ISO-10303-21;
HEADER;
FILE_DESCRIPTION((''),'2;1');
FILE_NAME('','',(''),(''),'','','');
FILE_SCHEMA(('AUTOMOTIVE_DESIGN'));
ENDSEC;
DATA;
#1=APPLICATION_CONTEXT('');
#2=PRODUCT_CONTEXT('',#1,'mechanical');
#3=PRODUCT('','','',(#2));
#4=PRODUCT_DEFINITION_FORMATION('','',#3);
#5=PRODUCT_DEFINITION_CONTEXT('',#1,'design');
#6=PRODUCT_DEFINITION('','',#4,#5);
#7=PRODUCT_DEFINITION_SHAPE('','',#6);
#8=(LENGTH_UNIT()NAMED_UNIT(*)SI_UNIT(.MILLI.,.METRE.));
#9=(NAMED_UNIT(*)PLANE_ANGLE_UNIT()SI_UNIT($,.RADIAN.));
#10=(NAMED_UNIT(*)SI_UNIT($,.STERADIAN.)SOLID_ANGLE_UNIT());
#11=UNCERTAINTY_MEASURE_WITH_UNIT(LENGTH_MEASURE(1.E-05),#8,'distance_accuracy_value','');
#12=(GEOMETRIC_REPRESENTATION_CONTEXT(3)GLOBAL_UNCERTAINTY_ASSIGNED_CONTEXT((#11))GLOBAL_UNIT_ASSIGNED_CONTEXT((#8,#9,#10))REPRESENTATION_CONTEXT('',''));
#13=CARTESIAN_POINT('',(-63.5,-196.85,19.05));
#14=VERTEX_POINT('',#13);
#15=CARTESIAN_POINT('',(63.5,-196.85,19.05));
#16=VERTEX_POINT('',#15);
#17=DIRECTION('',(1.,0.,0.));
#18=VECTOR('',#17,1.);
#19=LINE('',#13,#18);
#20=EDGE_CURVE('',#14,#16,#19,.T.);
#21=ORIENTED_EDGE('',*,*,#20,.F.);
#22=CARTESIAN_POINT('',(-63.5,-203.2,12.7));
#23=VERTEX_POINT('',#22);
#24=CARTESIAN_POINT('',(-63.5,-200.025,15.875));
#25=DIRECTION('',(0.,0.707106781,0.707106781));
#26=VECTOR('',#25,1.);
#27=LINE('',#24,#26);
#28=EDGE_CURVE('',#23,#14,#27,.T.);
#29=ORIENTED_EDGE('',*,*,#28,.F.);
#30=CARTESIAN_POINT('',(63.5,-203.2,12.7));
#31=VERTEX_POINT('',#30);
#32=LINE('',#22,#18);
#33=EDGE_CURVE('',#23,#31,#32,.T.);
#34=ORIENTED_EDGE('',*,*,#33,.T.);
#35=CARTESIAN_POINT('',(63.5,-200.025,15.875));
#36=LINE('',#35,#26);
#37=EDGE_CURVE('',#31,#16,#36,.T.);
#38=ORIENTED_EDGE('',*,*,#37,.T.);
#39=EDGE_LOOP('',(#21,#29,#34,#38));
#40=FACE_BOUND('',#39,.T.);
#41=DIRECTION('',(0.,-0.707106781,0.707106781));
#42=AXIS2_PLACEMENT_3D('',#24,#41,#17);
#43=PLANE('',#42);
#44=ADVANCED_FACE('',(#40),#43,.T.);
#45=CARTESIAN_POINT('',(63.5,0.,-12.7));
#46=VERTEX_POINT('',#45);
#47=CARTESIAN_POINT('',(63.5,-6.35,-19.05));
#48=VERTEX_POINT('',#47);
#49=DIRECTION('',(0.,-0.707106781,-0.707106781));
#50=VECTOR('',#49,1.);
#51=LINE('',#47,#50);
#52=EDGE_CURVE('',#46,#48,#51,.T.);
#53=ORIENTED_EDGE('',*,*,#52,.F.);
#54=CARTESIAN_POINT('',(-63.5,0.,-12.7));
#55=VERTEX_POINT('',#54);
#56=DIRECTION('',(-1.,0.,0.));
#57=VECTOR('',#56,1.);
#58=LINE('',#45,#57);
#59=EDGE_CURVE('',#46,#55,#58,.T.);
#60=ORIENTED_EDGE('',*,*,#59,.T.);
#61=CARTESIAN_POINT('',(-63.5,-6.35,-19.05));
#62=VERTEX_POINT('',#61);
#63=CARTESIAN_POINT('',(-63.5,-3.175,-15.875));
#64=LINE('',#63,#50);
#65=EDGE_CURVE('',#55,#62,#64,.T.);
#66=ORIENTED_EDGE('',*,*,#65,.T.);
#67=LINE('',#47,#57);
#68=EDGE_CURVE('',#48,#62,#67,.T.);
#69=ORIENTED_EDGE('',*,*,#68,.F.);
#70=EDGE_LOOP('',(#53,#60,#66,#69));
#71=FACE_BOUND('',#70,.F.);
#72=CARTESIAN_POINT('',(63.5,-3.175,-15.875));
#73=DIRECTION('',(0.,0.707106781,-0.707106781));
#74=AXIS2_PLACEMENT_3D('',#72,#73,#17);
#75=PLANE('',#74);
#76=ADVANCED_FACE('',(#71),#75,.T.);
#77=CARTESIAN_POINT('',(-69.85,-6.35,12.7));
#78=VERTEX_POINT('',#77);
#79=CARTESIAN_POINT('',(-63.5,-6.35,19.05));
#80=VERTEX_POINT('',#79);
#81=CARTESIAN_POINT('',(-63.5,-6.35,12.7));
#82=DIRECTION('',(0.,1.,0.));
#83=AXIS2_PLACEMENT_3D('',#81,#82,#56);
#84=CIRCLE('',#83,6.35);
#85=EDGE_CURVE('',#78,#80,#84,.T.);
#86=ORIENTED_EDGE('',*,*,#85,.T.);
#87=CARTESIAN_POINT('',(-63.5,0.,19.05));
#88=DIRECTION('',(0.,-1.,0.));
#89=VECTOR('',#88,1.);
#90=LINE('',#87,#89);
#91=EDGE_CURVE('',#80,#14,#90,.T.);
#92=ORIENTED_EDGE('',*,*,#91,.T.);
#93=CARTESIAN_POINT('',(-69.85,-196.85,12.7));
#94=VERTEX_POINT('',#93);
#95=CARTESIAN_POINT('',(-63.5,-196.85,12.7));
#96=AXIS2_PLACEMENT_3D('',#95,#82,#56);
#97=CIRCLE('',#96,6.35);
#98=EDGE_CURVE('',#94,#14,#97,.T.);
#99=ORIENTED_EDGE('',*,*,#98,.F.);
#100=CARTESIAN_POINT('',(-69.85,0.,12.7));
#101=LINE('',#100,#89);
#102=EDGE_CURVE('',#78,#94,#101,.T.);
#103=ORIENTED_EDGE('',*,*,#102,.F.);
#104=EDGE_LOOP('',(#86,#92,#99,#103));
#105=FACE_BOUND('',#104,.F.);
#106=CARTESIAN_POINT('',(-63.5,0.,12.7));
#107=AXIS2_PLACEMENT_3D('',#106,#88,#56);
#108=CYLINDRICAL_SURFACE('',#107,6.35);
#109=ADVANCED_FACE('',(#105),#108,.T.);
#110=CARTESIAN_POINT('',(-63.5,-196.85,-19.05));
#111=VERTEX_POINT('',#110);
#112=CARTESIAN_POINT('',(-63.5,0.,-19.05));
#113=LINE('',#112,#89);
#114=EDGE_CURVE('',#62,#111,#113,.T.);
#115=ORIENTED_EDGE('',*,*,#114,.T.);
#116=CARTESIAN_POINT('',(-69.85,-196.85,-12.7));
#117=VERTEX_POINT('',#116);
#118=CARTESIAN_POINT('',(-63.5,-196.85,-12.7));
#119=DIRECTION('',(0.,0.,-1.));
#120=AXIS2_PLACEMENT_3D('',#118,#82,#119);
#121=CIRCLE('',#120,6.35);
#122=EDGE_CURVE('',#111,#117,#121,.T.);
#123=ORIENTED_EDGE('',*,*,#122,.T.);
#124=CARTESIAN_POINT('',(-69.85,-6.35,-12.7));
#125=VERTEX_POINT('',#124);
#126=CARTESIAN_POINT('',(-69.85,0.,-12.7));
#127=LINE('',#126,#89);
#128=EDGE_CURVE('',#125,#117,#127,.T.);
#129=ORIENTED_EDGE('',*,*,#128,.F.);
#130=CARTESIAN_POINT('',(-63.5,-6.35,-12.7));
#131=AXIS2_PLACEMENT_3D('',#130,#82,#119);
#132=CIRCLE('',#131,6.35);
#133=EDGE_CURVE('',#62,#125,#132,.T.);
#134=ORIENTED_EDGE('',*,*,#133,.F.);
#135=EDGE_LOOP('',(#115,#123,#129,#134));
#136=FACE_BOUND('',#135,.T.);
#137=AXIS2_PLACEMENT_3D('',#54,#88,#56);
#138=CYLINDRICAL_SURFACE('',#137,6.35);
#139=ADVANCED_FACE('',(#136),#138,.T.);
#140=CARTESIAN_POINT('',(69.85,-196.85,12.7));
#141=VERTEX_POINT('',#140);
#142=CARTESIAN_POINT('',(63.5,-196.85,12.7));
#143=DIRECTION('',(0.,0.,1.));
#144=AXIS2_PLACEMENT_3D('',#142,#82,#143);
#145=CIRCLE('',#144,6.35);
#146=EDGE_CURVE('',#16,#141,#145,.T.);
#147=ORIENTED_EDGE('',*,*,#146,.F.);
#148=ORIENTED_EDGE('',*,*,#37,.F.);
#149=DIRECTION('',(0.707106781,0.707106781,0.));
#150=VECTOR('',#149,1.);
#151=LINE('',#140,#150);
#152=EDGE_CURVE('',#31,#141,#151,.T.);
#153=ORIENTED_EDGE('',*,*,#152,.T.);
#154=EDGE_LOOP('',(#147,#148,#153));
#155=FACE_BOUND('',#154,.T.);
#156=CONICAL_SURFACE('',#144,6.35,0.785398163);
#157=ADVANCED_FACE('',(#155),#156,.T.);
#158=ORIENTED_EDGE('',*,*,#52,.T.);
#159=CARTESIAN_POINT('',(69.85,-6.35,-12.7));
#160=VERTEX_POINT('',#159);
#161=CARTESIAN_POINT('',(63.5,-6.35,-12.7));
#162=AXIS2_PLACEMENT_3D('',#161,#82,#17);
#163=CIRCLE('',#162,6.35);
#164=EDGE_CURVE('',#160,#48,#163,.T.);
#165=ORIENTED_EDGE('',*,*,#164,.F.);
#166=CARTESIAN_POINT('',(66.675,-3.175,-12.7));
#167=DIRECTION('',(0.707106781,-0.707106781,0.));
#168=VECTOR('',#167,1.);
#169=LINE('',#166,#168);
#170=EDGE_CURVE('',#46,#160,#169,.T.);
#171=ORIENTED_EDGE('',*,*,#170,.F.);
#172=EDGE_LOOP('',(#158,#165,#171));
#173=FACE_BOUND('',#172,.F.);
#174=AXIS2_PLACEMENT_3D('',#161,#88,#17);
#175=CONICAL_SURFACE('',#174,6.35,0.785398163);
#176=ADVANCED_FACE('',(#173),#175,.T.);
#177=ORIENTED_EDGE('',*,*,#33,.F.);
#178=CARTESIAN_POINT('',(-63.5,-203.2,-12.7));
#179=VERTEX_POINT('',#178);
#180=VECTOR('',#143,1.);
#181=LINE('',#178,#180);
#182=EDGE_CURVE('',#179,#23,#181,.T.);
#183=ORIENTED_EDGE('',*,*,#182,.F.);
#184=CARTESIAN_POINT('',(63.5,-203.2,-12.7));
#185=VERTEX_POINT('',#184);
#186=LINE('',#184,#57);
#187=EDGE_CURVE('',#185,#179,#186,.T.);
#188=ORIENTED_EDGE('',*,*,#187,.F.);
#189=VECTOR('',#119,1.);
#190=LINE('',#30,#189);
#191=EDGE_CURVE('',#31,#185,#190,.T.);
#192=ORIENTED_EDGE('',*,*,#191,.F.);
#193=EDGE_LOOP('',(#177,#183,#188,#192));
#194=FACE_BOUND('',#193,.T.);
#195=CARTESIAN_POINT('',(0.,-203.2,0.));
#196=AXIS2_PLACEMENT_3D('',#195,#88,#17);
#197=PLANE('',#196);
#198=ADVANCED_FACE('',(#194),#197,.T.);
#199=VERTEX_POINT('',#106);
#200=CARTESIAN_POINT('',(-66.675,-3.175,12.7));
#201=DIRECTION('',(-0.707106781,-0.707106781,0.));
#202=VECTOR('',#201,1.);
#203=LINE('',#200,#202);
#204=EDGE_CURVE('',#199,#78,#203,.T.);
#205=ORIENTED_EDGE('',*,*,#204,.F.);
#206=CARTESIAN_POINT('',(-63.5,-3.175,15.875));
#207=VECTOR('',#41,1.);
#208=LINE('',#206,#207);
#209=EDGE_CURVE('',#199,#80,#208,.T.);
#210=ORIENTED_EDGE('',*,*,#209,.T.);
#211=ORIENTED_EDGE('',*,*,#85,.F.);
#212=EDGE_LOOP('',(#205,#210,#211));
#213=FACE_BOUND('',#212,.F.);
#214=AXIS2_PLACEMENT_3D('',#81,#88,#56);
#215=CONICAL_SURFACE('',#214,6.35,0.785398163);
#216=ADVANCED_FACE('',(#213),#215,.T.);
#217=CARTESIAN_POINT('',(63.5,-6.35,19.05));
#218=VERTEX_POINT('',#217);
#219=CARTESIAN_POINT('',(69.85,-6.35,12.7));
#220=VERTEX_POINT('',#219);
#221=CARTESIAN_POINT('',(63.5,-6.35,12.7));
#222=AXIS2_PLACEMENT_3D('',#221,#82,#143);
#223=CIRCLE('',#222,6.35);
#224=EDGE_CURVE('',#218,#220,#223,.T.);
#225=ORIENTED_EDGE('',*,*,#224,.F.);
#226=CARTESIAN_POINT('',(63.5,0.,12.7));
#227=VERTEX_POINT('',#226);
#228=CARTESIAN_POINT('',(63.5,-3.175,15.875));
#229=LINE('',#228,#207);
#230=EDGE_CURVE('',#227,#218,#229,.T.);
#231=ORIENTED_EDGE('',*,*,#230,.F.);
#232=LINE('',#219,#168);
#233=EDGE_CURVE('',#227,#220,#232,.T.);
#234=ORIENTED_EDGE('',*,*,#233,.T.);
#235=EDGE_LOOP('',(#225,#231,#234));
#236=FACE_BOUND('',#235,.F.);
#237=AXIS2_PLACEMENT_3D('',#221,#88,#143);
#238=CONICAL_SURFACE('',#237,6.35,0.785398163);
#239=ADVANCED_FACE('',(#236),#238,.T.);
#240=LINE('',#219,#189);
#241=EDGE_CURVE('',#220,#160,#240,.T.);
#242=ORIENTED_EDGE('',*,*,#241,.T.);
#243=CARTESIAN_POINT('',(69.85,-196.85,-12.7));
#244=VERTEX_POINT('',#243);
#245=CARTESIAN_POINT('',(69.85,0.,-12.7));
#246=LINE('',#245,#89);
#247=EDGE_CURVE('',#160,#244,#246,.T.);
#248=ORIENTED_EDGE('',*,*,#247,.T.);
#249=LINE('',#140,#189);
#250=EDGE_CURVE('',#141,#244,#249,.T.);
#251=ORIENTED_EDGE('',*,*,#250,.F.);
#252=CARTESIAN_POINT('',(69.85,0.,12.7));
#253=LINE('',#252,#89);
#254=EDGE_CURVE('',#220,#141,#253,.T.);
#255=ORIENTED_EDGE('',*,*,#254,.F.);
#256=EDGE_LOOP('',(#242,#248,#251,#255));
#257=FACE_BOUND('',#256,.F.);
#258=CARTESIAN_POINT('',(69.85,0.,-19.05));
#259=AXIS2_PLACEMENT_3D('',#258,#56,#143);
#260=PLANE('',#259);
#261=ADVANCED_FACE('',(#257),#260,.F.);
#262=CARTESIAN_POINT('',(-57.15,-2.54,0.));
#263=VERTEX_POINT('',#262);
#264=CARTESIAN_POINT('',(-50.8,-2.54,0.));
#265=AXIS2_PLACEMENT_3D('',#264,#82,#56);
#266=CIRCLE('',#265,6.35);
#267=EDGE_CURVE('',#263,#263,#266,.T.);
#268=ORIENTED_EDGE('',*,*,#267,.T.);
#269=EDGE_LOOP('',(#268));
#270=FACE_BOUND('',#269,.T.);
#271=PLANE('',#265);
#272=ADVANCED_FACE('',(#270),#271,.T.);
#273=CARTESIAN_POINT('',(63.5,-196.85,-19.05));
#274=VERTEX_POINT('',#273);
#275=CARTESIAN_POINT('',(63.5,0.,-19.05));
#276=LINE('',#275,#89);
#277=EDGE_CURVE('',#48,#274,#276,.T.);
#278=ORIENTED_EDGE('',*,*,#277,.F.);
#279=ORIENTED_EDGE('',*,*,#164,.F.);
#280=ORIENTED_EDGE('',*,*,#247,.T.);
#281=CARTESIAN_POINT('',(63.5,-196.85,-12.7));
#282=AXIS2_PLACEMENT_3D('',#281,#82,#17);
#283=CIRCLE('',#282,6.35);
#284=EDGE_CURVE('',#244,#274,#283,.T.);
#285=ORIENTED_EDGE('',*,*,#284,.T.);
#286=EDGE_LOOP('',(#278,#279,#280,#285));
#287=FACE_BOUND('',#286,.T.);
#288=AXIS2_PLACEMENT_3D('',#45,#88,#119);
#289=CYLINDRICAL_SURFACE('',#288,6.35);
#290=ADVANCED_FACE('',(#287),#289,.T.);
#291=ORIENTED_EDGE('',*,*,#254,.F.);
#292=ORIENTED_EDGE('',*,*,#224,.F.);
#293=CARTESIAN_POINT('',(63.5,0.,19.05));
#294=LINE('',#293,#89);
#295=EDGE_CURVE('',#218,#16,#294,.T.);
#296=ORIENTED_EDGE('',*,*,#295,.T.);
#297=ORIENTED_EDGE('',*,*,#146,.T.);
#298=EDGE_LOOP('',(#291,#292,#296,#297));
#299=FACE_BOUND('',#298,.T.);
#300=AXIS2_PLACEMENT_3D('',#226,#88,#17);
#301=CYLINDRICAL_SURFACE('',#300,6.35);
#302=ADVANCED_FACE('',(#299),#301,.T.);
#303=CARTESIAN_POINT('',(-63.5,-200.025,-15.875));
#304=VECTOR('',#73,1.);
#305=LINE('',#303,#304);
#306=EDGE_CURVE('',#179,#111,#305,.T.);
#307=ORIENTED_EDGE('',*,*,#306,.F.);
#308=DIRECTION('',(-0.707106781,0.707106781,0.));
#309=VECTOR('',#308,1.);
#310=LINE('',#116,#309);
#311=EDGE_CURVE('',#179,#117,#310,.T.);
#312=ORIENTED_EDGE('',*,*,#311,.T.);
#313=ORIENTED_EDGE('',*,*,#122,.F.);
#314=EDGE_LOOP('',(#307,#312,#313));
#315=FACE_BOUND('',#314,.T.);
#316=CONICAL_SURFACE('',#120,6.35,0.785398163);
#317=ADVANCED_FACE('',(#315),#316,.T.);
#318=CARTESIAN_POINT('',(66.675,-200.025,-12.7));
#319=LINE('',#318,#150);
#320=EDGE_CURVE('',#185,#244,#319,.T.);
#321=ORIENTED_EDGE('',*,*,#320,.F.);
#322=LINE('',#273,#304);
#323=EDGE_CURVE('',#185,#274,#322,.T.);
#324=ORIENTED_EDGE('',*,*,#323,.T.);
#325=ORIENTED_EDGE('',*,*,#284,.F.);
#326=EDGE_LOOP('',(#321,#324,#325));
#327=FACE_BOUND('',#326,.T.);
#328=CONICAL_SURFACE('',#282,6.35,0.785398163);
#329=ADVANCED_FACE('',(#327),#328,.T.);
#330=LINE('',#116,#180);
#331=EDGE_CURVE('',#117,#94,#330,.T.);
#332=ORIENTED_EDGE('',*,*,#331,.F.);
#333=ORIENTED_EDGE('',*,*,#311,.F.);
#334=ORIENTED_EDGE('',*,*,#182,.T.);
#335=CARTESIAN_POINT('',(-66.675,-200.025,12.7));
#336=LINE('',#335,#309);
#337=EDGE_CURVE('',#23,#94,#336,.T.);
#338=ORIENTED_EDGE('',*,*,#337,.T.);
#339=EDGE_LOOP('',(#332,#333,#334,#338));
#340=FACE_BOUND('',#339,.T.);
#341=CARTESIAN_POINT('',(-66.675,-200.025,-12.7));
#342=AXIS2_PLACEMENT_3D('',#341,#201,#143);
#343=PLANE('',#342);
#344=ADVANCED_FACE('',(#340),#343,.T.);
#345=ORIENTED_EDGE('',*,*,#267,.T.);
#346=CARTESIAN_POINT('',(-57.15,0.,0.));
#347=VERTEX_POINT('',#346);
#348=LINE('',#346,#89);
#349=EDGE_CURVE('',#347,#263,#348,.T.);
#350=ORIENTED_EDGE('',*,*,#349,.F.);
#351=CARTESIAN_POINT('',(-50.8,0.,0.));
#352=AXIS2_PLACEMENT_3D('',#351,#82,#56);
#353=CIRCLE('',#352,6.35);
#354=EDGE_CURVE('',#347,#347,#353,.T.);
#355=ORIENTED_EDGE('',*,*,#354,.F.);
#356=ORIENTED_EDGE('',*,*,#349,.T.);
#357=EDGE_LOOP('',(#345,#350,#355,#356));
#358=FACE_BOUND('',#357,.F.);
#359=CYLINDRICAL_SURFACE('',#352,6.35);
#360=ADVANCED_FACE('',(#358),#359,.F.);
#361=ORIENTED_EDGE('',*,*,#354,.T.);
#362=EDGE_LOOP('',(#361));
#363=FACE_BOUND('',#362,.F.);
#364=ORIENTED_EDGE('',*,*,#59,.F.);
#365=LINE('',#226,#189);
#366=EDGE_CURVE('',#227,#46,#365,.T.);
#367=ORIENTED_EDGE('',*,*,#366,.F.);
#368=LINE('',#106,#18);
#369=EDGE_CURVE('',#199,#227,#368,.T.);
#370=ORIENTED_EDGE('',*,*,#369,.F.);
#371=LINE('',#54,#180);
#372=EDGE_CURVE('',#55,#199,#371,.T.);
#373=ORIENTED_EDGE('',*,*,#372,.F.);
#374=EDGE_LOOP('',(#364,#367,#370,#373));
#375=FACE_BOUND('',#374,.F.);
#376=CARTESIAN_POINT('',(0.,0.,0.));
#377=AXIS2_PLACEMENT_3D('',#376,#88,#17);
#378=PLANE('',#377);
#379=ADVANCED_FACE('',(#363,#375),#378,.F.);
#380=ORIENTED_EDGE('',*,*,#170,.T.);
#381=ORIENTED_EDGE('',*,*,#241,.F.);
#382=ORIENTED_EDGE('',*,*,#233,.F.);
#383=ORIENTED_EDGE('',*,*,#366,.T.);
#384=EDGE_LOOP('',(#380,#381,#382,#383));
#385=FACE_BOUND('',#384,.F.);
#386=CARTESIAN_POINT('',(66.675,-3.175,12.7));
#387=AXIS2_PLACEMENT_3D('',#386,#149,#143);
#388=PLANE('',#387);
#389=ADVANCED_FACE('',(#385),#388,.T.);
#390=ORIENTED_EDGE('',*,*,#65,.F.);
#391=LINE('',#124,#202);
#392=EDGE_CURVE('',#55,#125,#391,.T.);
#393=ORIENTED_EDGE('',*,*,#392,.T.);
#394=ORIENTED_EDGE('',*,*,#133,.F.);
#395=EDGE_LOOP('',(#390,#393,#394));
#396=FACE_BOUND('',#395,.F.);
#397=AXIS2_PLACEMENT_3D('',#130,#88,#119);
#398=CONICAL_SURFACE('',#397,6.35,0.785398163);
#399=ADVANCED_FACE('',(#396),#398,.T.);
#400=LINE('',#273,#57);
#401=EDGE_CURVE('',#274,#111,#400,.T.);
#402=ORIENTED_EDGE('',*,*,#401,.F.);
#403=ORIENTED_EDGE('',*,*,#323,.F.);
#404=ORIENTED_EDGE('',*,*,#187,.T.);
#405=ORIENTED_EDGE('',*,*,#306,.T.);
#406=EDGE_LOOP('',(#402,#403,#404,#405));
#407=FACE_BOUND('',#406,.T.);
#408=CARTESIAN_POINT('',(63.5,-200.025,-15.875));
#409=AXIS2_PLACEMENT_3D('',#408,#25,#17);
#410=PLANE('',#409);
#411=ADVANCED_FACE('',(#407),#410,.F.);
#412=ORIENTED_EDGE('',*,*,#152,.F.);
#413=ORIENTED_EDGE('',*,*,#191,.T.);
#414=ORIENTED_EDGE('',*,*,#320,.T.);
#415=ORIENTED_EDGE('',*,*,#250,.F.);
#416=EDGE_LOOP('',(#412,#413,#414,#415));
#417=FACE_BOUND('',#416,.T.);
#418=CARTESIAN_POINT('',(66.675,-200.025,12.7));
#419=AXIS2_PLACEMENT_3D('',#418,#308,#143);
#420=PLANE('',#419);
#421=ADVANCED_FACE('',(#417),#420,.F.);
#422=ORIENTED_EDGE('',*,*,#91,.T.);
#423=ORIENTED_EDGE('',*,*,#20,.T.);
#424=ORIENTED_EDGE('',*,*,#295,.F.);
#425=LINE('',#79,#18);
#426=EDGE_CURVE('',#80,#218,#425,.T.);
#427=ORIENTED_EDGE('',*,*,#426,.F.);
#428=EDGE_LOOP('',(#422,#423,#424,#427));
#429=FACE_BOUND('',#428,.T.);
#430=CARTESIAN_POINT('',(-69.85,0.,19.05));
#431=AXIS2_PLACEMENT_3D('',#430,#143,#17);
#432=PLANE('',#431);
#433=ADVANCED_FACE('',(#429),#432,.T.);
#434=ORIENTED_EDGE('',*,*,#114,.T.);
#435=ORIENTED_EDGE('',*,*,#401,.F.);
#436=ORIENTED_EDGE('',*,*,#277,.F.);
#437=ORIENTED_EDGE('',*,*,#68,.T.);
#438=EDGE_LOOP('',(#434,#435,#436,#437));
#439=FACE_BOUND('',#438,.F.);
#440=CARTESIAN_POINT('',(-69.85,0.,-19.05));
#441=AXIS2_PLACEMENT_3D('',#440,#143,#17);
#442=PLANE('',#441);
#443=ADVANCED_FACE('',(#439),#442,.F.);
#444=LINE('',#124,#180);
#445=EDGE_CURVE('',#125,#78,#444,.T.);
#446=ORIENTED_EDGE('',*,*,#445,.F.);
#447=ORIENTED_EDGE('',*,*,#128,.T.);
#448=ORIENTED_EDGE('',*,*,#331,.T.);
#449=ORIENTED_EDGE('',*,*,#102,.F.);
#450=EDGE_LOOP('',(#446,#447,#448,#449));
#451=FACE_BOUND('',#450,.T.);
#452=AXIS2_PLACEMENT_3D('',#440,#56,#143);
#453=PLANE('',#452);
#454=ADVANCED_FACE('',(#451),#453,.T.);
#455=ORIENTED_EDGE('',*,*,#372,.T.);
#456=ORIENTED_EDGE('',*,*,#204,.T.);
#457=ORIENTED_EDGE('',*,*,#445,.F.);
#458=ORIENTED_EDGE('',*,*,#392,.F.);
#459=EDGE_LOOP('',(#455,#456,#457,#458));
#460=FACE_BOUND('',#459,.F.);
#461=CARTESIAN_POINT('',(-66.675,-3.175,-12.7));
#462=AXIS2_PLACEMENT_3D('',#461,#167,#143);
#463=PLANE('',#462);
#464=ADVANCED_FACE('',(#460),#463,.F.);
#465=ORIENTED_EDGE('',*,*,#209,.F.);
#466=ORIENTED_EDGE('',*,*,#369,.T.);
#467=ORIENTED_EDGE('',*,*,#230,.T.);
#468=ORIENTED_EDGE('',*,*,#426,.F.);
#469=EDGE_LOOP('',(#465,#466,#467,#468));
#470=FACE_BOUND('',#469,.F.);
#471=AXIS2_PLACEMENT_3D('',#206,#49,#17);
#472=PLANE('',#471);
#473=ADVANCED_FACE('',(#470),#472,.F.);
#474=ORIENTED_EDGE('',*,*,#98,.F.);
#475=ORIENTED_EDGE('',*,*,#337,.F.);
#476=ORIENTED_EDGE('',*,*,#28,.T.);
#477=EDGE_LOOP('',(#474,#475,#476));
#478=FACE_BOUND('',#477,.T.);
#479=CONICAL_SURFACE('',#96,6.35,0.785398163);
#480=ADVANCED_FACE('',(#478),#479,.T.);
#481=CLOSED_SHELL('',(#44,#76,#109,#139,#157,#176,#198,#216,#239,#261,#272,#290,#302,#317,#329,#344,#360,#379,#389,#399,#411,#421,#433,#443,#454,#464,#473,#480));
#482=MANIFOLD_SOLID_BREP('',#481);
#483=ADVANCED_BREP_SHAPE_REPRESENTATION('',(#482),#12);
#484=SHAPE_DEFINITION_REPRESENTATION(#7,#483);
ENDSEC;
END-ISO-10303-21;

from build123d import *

# Parameters (mm, degrees)
F0_W     = 139.7
F0_H     = 38.1
F1_DEPTH = 203.2
F2_R     = 6.35
F3_SIZE  = 6.35
F4_SIZE  = 6.35
F5_R     = 6.35
F6_DEPTH = 2.54


with BuildPart() as f1:
    # F0 (on Front) → F1 (new body)
    with BuildSketch(Plane.XZ):
        Rectangle(F0_W, F0_H)
    extrude(amount=F1_DEPTH)

    # F2
    f2_edges = [f1.edges().sort_by_distance(p)[0] for p in [
        (-69.85, -101.6, 19.05),
        (-69.85, -101.6, -19.05),
        (69.85, -101.6, 19.05),
        (69.85, -101.6, -19.05),
    ]]
    fillet(f2_edges, radius=F2_R)

    # F3
    f3_edges = [f1.edges().sort_by_distance(p)[0] for p in [
        (0, -203.2, 19.05),
    ]]
    chamfer(f3_edges, length=F3_SIZE)

    # F4
    f4_edges = [f1.edges().sort_by_distance(p)[0] for p in [
        (0, 0, 19.05),
    ]]
    chamfer(f4_edges, length=F4_SIZE)

    # F5 (on face) → F6 (cut)
    with BuildSketch(Plane(origin=(0, 0, 0), x_dir=(-1, 0, 0), z_dir=(0, 1, 0))):
        with Locations((50.8, 0)):
            Circle(F5_R)
    extrude(amount=-F6_DEPTH, mode=Mode.SUBTRACT)


solid = f1.part
